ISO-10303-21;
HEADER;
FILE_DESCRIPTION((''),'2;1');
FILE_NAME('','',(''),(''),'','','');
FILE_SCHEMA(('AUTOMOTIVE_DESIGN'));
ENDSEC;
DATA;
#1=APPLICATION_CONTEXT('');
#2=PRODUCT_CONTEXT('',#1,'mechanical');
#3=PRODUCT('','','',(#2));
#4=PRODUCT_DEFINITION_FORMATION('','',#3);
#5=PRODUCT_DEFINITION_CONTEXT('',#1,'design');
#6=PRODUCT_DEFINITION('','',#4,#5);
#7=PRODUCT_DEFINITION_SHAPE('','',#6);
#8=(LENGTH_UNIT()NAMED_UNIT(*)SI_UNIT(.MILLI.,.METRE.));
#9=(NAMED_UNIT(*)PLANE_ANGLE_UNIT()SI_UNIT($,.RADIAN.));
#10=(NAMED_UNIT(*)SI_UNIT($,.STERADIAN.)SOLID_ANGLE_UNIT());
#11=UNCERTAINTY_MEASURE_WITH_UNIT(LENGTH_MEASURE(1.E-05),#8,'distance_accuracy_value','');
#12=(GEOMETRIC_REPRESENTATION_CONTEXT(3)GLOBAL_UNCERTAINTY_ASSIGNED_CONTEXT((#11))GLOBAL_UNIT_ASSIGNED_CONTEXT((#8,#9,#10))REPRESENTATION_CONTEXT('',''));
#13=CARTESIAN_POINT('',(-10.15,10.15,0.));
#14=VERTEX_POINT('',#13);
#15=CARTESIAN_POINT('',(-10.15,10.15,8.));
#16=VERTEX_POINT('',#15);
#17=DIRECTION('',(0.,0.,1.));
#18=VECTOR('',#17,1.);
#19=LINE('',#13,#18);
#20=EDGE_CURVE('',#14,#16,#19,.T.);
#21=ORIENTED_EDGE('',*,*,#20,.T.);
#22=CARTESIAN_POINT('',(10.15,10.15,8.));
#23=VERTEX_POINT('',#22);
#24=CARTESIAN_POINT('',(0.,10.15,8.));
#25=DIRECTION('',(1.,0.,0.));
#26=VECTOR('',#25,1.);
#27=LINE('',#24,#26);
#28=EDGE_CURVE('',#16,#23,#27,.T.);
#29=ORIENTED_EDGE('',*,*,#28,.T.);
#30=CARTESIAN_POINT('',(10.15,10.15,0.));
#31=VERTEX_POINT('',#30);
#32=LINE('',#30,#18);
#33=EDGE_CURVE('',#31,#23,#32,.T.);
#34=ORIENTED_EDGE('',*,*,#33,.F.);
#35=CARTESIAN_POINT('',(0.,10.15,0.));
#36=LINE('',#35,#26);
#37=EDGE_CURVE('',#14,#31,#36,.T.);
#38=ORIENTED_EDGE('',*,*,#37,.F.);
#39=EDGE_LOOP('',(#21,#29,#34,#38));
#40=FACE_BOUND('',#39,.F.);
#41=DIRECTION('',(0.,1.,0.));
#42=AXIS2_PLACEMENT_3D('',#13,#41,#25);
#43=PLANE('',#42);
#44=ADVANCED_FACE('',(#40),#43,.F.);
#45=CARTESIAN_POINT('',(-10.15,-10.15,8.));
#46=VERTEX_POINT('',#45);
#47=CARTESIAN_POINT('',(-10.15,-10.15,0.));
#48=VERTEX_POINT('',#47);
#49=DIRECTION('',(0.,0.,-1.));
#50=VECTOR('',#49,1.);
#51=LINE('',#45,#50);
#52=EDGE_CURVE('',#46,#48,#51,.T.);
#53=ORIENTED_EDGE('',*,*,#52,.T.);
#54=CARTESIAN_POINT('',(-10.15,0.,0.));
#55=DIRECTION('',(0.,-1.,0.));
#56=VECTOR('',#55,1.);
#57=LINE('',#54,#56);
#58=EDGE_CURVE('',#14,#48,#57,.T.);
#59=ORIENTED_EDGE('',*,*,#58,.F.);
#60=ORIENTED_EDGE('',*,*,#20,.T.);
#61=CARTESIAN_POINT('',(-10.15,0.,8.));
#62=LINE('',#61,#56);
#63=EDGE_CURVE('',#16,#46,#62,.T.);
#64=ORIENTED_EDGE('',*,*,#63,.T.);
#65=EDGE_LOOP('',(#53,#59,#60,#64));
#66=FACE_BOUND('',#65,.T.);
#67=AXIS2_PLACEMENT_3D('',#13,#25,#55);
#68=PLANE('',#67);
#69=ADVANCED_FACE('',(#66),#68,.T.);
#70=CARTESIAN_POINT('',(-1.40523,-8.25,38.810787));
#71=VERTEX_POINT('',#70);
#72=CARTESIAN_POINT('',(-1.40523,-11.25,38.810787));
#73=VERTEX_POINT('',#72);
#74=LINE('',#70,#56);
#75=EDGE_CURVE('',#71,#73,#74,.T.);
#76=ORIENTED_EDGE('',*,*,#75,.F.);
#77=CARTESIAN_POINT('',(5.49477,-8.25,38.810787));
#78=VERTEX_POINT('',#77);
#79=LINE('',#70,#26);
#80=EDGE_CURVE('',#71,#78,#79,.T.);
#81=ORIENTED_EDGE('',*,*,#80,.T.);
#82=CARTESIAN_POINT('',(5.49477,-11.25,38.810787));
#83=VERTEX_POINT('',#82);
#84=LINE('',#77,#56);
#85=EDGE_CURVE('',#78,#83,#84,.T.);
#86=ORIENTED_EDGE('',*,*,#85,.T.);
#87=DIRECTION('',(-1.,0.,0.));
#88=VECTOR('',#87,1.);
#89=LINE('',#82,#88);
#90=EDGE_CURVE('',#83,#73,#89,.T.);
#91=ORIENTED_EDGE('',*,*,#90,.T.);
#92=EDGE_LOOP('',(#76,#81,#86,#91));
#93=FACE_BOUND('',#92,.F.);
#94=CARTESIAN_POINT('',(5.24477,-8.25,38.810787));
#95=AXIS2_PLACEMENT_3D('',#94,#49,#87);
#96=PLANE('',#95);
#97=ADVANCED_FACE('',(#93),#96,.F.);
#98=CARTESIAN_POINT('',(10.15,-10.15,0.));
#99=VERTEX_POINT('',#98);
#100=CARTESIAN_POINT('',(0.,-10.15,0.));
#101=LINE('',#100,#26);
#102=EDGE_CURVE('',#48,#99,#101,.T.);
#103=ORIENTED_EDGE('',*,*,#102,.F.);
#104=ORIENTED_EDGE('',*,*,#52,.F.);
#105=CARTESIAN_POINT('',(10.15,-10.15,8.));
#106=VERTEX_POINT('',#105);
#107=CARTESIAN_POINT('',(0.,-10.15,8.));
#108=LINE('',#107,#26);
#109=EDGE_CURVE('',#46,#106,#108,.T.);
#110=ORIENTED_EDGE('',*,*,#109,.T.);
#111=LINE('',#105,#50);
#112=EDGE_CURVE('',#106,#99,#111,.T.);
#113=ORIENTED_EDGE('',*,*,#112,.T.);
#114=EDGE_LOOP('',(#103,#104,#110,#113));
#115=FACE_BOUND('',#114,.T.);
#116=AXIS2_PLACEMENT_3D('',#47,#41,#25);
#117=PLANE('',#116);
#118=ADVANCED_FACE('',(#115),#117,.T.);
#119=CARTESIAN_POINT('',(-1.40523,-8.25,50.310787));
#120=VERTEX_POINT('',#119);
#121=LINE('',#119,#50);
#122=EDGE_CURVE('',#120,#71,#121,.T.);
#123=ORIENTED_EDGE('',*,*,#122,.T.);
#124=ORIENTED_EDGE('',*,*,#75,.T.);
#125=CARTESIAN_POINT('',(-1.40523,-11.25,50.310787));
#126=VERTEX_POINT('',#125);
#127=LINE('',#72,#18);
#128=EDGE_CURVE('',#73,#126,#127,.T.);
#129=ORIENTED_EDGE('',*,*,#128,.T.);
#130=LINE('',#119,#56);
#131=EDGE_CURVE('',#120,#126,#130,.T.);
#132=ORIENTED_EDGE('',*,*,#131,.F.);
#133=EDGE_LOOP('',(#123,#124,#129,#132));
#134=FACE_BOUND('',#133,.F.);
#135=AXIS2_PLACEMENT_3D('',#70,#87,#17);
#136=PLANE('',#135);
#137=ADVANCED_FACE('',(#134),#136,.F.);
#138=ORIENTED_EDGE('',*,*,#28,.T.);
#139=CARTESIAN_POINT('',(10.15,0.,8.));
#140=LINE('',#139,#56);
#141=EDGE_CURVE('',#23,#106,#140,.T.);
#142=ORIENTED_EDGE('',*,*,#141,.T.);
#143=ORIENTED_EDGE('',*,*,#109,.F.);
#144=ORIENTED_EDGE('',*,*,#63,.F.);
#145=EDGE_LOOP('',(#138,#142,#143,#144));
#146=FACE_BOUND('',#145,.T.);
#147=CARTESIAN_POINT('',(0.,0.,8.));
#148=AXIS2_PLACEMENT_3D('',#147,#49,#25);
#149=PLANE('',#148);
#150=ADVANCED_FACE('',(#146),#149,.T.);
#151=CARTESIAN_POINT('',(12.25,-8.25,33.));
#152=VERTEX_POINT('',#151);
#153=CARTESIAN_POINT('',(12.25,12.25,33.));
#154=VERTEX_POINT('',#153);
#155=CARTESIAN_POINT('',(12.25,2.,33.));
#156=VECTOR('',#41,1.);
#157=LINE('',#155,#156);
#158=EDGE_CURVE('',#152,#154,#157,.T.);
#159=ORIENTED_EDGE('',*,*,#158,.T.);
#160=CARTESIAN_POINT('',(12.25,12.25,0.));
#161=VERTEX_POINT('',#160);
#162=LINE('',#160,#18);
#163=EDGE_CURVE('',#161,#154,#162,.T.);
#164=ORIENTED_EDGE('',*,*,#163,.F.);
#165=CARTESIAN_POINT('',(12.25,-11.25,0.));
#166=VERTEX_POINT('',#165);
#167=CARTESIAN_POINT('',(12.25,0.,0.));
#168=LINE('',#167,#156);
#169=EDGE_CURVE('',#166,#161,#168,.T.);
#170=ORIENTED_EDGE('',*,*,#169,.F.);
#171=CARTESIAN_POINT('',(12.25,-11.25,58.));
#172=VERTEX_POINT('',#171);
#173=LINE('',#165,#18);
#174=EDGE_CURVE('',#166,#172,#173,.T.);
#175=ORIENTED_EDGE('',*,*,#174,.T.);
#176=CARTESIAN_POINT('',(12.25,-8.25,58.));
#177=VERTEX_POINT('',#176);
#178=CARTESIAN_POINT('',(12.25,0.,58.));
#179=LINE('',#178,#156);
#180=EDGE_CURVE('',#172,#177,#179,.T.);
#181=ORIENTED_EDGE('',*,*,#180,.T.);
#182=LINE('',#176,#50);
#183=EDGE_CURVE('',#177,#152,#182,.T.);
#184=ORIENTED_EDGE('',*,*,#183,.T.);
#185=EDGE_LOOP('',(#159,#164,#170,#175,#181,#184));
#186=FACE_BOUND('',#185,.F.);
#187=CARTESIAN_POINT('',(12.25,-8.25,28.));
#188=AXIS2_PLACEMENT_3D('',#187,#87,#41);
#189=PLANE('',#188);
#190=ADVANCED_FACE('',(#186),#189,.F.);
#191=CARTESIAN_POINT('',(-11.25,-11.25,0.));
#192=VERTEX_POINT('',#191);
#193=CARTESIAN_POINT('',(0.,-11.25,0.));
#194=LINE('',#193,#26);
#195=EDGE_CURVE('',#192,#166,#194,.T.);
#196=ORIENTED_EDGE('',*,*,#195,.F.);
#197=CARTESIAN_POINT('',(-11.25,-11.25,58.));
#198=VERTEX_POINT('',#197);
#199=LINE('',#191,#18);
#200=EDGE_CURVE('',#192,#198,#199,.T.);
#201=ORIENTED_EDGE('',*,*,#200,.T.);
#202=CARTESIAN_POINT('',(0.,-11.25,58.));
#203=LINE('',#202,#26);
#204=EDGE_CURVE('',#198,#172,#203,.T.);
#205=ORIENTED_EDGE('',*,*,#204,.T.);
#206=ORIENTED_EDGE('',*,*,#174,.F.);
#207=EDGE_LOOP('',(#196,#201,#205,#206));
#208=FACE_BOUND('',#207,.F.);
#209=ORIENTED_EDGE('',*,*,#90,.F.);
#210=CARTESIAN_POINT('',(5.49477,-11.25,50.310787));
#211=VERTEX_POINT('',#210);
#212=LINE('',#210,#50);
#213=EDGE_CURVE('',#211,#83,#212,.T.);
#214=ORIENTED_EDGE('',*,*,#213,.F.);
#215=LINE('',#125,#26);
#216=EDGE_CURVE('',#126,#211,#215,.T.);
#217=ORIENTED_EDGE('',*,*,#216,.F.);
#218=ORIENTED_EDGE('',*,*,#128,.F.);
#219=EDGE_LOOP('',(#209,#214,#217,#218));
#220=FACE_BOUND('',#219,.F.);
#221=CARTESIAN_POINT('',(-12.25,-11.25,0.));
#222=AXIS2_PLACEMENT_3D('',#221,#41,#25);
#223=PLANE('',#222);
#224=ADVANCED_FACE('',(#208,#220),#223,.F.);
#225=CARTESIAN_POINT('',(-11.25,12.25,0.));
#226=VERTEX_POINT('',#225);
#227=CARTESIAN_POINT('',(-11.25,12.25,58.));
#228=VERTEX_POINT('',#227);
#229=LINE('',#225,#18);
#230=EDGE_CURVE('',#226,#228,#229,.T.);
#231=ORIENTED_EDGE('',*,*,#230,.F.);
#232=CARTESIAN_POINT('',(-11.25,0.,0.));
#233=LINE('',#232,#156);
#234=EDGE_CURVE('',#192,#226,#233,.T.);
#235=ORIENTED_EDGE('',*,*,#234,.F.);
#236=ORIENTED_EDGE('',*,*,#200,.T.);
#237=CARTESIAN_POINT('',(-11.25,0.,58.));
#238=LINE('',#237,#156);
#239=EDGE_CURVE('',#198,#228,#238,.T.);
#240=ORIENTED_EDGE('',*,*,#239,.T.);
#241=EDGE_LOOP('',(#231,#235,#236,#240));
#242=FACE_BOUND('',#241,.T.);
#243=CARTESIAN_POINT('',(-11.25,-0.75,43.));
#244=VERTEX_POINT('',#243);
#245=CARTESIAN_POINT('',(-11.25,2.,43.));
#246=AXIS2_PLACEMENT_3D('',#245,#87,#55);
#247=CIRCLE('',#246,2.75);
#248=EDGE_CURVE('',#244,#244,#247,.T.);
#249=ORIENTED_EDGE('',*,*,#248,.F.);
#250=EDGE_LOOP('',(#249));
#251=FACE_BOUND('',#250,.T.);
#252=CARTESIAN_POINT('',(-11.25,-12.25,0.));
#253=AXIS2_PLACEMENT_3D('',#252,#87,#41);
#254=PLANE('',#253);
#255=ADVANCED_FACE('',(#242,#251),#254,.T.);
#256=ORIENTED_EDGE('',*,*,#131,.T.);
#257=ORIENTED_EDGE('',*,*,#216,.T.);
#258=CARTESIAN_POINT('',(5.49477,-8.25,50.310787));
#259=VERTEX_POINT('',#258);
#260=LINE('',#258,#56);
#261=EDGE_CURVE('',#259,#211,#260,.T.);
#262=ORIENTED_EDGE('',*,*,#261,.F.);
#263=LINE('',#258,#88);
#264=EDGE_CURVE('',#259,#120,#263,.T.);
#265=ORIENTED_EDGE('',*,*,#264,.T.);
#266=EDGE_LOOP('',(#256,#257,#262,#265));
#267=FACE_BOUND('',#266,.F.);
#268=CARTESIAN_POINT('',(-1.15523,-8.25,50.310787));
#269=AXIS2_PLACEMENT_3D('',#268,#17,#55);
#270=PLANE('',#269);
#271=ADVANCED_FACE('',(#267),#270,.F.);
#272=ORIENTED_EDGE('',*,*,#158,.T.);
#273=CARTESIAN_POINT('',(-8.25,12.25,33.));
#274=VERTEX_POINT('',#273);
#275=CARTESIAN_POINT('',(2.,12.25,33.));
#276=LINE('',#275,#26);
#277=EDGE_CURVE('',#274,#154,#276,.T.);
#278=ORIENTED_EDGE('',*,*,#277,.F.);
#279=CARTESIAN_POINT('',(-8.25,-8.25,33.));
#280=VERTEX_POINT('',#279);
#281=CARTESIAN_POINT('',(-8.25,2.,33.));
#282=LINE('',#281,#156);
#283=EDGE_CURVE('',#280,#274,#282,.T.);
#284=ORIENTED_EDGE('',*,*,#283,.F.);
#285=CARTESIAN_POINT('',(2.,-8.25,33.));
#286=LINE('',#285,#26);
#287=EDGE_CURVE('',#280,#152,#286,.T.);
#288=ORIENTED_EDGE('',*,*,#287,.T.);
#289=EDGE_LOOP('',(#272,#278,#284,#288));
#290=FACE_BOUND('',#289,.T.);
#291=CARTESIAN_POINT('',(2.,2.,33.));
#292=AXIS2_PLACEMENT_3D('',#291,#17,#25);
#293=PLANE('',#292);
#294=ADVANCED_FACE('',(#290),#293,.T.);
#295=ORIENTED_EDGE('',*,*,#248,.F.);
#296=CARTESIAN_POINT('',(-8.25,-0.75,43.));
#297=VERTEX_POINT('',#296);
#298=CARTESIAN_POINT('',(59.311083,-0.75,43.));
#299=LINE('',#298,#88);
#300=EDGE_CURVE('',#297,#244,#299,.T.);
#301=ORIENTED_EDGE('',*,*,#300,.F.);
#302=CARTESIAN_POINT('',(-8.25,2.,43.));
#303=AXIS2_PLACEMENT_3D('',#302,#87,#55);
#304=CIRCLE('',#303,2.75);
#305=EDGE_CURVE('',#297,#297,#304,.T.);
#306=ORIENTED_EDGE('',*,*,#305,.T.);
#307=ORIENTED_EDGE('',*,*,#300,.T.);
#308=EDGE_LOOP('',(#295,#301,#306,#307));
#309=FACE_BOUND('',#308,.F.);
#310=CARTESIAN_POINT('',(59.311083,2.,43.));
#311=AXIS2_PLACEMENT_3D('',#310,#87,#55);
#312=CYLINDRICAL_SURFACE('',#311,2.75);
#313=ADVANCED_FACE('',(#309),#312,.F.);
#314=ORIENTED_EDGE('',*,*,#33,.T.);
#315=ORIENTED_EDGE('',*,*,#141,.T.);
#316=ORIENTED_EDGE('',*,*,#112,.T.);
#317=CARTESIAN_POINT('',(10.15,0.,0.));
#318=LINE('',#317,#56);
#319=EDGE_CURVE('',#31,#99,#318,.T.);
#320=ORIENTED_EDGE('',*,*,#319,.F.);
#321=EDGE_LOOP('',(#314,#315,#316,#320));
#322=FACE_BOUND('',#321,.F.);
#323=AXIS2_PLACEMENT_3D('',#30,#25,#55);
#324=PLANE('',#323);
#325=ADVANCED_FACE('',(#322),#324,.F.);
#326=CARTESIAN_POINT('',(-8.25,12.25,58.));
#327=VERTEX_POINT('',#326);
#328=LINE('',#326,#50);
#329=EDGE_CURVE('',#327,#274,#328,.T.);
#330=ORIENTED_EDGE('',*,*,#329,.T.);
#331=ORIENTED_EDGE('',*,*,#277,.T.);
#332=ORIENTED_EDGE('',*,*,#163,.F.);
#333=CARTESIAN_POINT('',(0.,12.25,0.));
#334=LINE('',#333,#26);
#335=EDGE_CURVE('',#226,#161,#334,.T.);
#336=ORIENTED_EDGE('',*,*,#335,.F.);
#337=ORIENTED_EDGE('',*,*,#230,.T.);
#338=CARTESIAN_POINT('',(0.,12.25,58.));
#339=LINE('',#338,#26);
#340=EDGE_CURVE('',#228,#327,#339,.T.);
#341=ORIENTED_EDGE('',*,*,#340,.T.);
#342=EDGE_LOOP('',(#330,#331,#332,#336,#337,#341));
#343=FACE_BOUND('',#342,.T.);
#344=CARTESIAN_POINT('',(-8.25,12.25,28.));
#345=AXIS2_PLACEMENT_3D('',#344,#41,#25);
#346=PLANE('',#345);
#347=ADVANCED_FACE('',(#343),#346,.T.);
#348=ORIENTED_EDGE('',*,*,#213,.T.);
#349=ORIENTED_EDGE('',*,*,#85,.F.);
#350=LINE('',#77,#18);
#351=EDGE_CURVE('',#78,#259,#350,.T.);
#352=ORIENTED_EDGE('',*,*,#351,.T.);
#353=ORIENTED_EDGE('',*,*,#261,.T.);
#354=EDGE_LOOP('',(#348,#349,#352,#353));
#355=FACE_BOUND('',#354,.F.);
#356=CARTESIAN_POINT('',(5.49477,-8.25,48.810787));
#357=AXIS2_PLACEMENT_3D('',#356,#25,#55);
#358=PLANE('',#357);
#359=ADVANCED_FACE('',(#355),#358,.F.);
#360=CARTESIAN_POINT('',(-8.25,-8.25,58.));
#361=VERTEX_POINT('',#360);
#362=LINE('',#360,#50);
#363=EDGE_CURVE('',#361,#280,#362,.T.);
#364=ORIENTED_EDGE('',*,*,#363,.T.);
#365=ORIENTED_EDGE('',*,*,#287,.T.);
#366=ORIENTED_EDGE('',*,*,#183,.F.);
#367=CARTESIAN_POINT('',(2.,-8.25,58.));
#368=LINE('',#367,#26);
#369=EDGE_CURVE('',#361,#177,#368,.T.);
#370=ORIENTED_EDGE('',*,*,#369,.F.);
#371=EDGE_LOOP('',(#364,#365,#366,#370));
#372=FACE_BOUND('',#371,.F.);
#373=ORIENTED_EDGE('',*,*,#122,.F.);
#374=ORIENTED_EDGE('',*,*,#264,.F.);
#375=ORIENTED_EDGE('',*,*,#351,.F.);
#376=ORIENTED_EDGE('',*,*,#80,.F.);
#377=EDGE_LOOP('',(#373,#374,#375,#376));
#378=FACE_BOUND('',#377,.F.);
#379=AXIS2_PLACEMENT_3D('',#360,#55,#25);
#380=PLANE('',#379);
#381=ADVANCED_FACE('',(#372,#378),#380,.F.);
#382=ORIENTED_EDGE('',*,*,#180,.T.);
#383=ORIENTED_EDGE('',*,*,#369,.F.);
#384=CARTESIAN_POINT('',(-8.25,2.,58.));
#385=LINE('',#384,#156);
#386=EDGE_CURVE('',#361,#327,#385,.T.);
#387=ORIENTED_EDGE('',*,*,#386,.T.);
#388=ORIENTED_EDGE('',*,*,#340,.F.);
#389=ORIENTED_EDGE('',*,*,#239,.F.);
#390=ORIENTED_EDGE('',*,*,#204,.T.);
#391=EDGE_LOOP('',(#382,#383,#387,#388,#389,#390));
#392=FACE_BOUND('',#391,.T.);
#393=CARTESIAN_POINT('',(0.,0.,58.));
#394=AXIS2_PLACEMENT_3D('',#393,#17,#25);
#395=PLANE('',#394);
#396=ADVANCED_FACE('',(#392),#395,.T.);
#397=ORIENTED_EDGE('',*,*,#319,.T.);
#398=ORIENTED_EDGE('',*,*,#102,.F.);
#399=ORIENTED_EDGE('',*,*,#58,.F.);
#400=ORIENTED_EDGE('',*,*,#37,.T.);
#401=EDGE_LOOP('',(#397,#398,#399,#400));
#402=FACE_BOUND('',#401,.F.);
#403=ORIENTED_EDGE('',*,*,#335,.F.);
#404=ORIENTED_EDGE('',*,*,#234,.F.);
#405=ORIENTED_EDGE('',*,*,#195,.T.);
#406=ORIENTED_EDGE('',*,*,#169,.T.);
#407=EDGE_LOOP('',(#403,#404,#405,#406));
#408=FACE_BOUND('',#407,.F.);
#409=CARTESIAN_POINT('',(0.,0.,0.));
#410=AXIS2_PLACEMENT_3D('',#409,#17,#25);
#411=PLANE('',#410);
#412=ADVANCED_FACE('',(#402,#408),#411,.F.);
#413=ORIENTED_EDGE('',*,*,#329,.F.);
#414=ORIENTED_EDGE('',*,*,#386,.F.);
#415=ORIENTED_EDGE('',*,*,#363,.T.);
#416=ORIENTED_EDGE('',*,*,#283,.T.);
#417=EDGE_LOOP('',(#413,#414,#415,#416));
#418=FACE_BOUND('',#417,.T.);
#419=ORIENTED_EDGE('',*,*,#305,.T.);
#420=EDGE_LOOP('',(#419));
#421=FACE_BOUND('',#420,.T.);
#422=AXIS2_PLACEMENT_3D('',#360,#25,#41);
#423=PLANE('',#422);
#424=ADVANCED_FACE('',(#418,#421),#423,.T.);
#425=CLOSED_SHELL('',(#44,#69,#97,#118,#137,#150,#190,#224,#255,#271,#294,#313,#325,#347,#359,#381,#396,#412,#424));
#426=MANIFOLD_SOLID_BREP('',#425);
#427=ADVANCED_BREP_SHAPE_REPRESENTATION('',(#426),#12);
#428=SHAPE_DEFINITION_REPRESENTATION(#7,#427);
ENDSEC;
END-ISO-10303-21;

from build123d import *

# Parameters (mm, degrees)
F0_W      = 24.5
F0_H      = 24.5
F1_DEPTH  = 58
F2_W      = 20.3
F2_H      = 20.3
F3_DEPTH  = 6
F4_W      = 20.5
F4_H      = 20.5
F5_DEPTH  = 30
F7_D      = 5.5
F8_W      = 6.4
F8_H      = 10
F9_DEPTH  = 25
F10_DEPTH = 5
F11_DEPTH = 0.25
F12_DEPTH = 0.25
F13_DEPTH = 1.5
F14_DEPTH = 1
F15_DEPTH = 1
F16_DEPTH = 2


with BuildPart() as f1:
    # F0 (on Top) → F1 (new body)
    with BuildSketch(Plane.XY):
        Rectangle(F0_W, F0_H)
    extrude(amount=F1_DEPTH)

    # F2 (on face) → F3 (cut)
    with BuildSketch(Plane(origin=(0, 0, 0), x_dir=(1, 0, 0), z_dir=(0, 0, -1))):
        Rectangle(F2_W, F2_H)
    extrude(amount=-F3_DEPTH, mode=Mode.SUBTRACT)

    # F4 (on face) → F5 (cut)
    with BuildSketch(Plane.XY.offset(58)):
        with Locations((2, 2)):
            Rectangle(F4_W, F4_H)
    extrude(amount=-F5_DEPTH, mode=Mode.SUBTRACT)

    # F7 (through all)
    with Locations(Plane.YZ.offset(-8.25)):
        with Locations((2, 43)):
            Hole(F7_D / 2)

    # F8 (on face) → F9 (cut)
    with BuildSketch(Plane(origin=(0, -8.25, 0), x_dir=(-1, 0, 0), z_dir=(0, 1, 0))):
        with Locations((-2.0447701301, 43.8107866645)):
            Rectangle(F8_W, F8_H)
    extrude(amount=-F9_DEPTH, mode=Mode.SUBTRACT)

    # F10 (add): a face of the model
    f10_faces = [f1.faces().sort_by_distance(p)[0] for p in [
        (2, 2, 28),
    ]]
    extrude(f10_faces, amount=F10_DEPTH)

    # F11 (cut): a face of the model
    f11_faces = [f1.faces().sort_by_distance(p)[0] for p in [
        (-1.1552298699, -10.25, 43.8107866645),
    ]]
    extrude(f11_faces, amount=-F11_DEPTH, mode=Mode.SUBTRACT)

    # F12 (cut): a face of the model
    f12_faces = [f1.faces().sort_by_distance(p)[0] for p in [
        (5.2447701301, -10.25, 43.8107866645),
    ]]
    extrude(f12_faces, amount=-F12_DEPTH, mode=Mode.SUBTRACT)

    # F13 (cut): a face of the model
    f13_faces = [f1.faces().sort_by_distance(p)[0] for p in [
        (2.0447701301, -10.25, 48.8107866645),
    ]]
    extrude(f13_faces, amount=-F13_DEPTH, mode=Mode.SUBTRACT)

    # F14 (cut): a face of the model
    f14_faces = [f1.faces().sort_by_distance(p)[0] for p in [
        (-12.25, -0.0340074224, 28.7619480432),
    ]]
    extrude(f14_faces, amount=-F14_DEPTH, mode=Mode.SUBTRACT)

    # F15 (cut): a face of the model
    f15_faces = [f1.faces().sort_by_distance(p)[0] for p in [
        (0.4045086201, -12.25, 28.0380957256),
    ]]
    extrude(f15_faces, amount=-F15_DEPTH, mode=Mode.SUBTRACT)

    # F16 (cut): a face of the model
    f16_faces = [f1.faces().sort_by_distance(p)[0] for p in [
        (0, 0, 6),
    ]]
    extrude(f16_faces, amount=-F16_DEPTH, mode=Mode.SUBTRACT)


solid = f1.part
